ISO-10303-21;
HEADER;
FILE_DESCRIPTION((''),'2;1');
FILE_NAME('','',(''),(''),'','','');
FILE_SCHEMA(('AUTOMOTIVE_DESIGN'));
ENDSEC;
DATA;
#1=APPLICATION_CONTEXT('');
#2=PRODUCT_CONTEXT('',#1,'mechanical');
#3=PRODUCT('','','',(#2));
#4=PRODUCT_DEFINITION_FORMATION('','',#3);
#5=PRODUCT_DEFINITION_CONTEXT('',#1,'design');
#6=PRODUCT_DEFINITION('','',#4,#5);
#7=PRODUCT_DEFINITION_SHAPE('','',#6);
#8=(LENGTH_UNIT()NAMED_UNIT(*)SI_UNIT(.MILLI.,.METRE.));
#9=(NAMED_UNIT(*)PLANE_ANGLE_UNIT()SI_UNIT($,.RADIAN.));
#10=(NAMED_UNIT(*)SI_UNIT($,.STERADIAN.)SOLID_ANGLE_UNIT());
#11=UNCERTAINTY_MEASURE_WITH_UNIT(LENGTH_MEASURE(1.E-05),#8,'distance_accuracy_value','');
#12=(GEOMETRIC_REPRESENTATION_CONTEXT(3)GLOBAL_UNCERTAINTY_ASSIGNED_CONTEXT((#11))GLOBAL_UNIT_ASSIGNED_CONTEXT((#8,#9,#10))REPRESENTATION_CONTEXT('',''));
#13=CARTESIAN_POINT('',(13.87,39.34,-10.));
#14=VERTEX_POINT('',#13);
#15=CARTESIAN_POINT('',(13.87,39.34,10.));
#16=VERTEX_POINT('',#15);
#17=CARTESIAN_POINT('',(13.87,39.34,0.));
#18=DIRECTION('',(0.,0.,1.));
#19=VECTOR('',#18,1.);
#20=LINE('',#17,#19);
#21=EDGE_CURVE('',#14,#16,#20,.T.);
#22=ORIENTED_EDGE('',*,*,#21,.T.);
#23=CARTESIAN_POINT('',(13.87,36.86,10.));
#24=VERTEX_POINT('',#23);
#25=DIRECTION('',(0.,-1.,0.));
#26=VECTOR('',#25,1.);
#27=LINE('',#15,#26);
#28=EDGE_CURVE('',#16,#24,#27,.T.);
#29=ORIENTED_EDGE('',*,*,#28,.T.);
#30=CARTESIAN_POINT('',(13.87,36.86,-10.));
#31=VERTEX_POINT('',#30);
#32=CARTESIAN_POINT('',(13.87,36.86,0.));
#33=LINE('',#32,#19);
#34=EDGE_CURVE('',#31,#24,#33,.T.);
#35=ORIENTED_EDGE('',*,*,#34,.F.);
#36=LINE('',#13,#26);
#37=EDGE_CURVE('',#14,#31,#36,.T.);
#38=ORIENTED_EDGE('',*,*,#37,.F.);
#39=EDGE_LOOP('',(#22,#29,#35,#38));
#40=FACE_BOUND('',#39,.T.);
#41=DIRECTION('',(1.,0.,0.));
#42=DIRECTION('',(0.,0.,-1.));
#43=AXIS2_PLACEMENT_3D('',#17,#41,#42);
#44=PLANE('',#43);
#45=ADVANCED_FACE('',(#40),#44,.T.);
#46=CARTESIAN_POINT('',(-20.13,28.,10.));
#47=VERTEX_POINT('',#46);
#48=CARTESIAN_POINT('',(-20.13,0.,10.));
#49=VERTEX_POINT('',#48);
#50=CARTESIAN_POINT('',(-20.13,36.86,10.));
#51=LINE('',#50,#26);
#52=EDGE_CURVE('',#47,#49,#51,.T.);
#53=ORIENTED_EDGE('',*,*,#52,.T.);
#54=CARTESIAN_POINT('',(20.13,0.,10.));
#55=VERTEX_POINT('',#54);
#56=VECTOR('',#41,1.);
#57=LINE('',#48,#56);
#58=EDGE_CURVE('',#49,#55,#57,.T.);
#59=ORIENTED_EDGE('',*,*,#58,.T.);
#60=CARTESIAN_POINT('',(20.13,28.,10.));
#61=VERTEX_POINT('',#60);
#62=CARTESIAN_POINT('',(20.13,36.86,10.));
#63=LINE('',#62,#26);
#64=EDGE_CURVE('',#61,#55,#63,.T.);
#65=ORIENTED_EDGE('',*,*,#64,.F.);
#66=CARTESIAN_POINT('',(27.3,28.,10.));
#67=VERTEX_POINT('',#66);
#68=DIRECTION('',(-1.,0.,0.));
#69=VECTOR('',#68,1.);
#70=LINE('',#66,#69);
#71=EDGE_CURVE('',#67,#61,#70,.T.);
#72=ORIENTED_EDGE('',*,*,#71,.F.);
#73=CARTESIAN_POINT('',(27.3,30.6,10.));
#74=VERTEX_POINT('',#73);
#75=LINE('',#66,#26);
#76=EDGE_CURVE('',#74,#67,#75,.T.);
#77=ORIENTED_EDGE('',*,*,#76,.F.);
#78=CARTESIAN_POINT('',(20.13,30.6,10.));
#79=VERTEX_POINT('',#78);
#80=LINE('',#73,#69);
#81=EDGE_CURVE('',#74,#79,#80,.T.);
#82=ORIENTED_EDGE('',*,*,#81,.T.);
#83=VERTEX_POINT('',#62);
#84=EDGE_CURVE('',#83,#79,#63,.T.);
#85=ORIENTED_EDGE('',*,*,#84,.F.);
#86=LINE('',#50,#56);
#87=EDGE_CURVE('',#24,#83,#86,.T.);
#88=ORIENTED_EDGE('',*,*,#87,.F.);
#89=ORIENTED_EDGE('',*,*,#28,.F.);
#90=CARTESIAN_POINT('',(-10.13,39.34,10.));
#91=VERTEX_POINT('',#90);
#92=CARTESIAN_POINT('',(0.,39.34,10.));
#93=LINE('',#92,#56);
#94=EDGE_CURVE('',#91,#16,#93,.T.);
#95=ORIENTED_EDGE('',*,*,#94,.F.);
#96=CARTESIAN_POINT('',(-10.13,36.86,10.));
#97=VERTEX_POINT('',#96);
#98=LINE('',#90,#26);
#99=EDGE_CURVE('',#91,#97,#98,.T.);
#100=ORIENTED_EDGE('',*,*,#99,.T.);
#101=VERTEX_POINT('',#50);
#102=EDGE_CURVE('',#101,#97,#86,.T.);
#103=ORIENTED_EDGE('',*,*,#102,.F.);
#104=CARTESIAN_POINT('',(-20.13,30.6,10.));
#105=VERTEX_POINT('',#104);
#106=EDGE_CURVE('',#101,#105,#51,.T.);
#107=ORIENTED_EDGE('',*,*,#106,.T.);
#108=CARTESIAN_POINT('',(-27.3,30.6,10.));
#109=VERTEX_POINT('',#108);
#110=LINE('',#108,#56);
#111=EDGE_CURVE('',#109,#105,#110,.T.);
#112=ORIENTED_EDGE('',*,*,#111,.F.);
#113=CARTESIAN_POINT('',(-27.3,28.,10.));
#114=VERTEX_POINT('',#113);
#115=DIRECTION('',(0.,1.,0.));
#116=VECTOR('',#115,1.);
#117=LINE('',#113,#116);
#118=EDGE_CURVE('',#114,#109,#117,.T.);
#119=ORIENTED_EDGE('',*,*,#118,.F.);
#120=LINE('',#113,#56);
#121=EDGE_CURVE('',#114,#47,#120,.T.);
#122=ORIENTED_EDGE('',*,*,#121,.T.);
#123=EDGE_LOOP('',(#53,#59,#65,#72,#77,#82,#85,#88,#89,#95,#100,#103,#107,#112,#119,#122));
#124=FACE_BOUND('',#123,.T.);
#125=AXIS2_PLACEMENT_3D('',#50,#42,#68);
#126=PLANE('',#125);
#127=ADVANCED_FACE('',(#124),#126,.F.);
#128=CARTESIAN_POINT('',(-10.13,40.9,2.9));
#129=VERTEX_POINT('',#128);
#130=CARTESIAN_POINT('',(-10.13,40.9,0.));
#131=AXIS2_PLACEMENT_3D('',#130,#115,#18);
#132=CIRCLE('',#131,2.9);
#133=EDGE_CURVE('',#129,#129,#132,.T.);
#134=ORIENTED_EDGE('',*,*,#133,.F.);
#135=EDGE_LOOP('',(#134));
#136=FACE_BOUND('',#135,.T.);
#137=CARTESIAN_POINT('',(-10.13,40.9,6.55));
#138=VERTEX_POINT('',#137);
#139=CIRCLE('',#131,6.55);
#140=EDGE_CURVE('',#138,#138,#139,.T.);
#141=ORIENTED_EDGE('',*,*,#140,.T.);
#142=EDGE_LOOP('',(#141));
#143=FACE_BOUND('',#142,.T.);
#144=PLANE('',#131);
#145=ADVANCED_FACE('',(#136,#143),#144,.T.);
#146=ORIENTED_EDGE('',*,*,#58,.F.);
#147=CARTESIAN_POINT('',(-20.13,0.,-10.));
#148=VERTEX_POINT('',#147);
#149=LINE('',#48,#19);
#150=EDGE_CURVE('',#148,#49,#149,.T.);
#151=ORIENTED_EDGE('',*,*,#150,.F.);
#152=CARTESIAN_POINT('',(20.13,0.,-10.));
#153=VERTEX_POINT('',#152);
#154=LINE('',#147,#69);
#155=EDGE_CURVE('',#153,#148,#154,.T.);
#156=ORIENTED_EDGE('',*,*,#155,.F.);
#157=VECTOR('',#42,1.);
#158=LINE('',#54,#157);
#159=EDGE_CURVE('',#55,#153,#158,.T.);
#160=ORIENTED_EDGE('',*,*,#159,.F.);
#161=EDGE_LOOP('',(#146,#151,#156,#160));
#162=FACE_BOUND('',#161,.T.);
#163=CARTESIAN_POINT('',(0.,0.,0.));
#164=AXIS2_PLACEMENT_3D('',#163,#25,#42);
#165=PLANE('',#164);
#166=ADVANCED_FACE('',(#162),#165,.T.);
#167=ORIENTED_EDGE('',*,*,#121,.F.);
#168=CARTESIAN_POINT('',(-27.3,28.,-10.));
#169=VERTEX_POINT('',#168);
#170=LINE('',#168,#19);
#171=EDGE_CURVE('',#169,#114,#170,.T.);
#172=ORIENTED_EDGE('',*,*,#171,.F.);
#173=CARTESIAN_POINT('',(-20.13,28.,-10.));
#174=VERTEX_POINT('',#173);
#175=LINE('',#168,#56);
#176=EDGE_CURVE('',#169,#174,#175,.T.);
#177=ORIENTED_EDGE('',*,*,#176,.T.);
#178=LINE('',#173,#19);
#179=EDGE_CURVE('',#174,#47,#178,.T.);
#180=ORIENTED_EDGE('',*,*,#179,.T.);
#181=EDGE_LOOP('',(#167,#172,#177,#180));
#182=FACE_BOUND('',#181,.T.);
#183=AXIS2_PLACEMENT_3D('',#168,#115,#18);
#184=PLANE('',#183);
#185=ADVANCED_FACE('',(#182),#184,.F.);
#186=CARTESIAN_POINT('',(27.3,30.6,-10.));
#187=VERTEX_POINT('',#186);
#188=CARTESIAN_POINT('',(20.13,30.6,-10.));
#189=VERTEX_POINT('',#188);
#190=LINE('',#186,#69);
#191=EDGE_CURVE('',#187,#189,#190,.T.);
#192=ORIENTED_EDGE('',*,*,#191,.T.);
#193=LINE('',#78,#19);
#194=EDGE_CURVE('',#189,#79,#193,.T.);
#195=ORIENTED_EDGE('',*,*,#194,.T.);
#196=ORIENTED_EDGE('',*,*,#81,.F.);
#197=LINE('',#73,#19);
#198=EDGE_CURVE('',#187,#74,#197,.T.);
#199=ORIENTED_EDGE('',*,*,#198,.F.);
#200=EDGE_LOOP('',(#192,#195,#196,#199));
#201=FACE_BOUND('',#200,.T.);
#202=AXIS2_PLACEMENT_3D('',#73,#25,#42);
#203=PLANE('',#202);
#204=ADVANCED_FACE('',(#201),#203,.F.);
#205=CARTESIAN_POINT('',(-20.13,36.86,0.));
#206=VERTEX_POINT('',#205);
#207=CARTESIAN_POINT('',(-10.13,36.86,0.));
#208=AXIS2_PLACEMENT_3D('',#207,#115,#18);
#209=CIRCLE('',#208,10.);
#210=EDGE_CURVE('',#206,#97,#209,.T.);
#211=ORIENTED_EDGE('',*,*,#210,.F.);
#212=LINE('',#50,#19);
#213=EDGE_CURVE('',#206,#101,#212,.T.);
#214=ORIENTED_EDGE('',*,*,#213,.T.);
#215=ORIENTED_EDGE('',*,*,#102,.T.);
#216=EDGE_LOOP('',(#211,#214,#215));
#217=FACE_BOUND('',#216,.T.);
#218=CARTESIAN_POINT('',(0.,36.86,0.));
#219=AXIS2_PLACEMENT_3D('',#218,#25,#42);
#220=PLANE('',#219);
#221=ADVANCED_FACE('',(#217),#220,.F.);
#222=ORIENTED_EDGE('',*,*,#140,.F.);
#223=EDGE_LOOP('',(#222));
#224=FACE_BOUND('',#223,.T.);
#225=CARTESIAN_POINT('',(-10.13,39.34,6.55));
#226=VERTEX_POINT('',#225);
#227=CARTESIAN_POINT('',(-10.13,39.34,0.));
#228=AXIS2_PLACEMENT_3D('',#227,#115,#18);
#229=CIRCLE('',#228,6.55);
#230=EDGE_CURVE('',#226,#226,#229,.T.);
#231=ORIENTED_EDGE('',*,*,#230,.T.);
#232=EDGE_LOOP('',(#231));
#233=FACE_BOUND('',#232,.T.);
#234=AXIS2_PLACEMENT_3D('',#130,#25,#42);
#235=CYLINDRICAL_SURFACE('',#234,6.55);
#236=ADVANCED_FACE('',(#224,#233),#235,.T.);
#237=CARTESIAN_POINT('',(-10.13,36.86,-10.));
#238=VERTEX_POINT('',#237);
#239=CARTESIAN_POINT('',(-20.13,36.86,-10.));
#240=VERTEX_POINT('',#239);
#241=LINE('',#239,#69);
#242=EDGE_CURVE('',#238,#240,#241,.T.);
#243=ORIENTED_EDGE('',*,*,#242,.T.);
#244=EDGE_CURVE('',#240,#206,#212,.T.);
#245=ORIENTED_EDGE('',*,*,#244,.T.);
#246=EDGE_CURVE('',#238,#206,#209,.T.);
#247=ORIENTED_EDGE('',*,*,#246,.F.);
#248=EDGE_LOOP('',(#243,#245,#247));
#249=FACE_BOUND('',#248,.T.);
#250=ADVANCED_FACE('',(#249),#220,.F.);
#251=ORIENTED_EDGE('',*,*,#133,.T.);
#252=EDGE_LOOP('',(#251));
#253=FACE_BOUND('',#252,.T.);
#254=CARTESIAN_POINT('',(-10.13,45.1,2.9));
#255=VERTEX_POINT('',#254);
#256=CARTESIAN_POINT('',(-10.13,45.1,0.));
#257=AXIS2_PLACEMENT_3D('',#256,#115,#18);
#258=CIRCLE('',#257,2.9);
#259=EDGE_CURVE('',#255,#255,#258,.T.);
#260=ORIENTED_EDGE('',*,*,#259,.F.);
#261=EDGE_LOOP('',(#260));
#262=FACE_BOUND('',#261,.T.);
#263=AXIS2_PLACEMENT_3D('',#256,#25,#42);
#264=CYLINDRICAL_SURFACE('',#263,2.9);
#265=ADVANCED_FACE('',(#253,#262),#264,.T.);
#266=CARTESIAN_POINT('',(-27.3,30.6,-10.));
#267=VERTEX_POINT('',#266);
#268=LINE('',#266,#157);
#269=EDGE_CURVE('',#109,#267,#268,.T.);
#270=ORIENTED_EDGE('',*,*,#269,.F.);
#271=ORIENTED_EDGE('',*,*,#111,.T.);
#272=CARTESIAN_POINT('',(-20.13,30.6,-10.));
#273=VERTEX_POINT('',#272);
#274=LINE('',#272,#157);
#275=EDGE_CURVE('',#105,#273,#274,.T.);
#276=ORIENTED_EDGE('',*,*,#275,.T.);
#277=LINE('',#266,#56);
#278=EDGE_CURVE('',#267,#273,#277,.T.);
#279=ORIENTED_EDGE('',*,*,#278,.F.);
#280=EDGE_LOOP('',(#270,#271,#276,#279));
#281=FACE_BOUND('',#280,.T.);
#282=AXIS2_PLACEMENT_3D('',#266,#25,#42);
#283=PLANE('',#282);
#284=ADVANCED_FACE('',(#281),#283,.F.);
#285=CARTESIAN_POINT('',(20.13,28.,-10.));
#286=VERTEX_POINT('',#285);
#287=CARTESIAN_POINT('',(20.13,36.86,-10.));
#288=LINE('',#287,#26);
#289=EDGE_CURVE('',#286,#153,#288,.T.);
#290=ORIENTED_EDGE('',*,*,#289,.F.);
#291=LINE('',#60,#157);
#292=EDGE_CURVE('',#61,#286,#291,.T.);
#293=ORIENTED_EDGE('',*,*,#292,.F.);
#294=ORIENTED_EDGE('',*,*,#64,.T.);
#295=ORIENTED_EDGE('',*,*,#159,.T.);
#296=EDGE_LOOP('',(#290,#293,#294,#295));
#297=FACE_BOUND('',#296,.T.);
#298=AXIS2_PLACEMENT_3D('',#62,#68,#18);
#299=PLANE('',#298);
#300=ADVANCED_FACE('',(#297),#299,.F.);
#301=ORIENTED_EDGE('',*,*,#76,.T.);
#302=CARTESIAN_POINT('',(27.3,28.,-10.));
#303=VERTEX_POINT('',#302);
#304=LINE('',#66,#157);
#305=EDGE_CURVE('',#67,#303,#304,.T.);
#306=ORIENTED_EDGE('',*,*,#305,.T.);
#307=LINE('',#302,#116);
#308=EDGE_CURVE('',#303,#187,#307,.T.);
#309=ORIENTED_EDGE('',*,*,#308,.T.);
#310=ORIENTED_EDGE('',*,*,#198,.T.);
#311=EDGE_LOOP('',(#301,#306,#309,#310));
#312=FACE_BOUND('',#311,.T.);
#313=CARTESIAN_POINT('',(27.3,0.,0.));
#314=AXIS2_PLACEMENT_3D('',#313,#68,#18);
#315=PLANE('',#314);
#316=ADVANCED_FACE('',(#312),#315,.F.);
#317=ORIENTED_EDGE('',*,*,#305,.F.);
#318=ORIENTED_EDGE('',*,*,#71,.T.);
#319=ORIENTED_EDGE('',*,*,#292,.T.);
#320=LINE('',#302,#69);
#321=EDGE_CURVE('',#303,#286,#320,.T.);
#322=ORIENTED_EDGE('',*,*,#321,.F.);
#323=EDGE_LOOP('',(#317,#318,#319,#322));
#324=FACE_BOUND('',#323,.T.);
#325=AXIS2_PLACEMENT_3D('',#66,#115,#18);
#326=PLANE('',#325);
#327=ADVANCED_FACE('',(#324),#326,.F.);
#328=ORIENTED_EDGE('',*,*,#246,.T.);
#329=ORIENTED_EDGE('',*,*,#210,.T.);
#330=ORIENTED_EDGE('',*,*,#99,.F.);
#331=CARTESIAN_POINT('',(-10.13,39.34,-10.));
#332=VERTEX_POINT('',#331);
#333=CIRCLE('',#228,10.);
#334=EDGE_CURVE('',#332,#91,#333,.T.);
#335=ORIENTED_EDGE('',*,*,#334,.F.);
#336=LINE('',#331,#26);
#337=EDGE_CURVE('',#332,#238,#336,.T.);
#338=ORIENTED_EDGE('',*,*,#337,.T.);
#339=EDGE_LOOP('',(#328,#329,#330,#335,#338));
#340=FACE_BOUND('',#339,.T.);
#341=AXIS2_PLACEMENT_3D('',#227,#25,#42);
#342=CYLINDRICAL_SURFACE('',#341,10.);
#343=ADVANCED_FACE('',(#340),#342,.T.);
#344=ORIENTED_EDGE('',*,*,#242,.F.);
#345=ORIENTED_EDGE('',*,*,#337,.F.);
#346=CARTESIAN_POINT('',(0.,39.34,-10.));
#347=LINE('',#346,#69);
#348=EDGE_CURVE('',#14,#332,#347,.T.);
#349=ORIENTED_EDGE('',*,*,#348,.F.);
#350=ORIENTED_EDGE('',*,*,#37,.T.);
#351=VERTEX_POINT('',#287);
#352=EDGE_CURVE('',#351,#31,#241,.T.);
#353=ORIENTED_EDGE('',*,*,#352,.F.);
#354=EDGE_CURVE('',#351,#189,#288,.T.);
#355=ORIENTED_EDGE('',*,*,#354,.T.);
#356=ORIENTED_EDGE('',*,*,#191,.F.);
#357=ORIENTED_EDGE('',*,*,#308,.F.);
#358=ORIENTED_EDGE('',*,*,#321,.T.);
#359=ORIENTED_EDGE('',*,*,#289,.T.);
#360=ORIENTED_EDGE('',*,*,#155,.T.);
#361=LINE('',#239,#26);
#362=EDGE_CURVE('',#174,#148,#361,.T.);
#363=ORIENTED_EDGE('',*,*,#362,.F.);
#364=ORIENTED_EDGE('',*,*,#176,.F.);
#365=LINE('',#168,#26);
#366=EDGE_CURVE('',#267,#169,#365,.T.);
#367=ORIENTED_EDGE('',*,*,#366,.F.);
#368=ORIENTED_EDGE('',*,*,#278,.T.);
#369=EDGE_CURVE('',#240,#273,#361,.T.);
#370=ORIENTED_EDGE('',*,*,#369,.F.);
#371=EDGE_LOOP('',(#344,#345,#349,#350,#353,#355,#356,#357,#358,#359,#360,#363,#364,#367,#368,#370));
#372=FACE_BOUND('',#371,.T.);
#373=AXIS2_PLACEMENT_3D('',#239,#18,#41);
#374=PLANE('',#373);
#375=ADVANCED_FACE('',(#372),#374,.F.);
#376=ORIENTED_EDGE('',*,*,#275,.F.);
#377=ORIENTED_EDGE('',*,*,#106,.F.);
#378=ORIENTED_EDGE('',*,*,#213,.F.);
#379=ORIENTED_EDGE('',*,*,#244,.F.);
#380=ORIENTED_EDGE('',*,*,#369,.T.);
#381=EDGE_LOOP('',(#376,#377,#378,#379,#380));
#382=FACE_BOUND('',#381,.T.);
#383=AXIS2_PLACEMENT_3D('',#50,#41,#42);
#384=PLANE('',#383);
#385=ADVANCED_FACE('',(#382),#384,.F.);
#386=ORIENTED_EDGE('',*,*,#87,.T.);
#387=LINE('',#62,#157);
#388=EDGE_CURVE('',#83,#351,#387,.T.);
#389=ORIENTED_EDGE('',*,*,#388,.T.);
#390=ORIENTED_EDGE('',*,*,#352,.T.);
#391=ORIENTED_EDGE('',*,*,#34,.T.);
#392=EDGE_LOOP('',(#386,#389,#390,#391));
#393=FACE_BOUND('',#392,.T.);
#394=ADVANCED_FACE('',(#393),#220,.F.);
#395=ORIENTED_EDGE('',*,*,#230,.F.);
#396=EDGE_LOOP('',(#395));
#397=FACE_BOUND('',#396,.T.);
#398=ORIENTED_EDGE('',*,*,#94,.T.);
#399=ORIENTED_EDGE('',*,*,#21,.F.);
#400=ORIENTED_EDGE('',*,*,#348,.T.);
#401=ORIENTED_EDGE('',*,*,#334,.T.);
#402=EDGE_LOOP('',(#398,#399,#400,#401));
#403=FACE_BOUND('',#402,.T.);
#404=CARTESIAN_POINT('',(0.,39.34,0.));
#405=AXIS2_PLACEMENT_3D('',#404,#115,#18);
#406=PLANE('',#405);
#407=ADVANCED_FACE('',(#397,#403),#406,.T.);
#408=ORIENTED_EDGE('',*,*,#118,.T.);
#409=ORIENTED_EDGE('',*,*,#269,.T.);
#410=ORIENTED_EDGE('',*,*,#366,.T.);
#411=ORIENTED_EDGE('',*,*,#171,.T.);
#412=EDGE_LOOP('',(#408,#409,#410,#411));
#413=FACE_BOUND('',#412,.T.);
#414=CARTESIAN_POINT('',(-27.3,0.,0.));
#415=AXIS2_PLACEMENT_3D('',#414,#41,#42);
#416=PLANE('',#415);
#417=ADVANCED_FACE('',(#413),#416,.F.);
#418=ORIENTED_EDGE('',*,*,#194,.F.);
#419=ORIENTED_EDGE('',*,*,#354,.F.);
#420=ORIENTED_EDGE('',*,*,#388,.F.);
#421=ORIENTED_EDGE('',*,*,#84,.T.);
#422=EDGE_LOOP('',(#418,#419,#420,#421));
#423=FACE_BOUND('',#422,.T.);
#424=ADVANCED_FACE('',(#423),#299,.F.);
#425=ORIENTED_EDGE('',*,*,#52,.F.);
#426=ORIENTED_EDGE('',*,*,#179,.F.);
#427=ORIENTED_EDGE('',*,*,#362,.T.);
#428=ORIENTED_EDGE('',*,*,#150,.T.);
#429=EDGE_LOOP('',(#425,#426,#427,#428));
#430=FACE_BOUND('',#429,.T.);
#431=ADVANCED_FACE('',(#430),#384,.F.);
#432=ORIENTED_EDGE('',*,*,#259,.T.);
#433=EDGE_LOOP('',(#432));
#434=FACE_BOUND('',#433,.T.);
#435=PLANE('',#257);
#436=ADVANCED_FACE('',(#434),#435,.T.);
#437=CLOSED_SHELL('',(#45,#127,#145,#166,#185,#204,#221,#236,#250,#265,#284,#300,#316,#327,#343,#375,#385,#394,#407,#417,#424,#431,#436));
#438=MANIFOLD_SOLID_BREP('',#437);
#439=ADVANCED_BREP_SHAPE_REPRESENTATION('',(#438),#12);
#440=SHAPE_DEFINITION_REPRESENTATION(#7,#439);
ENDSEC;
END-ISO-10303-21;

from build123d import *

# Parameters (mm, degrees)
SKETCH1_W           = 40.26
SKETCH1_H           = 20
BOSS_EXTRUDE1_DEPTH = 36.86
SKETCH2_W           = 20
SKETCH2_H           = 2.6
BOSS_EXTRUDE2_DEPTH = 7.17
SKETCH3_W           = 20
SKETCH3_H           = 2.6
BOSS_EXTRUDE3_DEPTH = 7.17
SKETCH4_R           = 10
BOSS_EXTRUDE4_DEPTH = 2.48
SKETCH5_R           = 6.55
BOSS_EXTRUDE5_DEPTH = 1.56
SKETCH6_R           = 2.9
BOSS_EXTRUDE6_DEPTH = 4.2


with BuildPart() as part:
    # Sketch1 → Boss-Extrude1 (new body)
    with BuildSketch(Plane(origin=(0, 0, 0), x_dir=(1, 0, 0), z_dir=(0, 1, 0))):
        Rectangle(SKETCH1_W, SKETCH1_H)
    extrude(amount=BOSS_EXTRUDE1_DEPTH)

    # Sketch2 → Boss-Extrude2 (add)
    with BuildSketch(Plane(origin=(20.13, 0, 0), x_dir=(0, 0, -1), z_dir=(1, 0, 0))):
        with Locations((0, 29.3)):
            Rectangle(SKETCH2_W, SKETCH2_H)
    extrude(amount=BOSS_EXTRUDE2_DEPTH)

    # Sketch3 → Boss-Extrude3 (add)
    with BuildSketch(Plane.ZY.offset(20.13)):
        with Locations((0, 29.3)):
            Rectangle(SKETCH3_W, SKETCH3_H)
    extrude(amount=BOSS_EXTRUDE3_DEPTH)

    # Sketch4 → Boss-Extrude4 (add)
    with BuildSketch(Plane(origin=(0, 36.86, 0), x_dir=(1, 0, 0), z_dir=(0, 1, 0))):
        with Locations((-10.13, 0)):
            Circle(SKETCH4_R)
        with BuildLine():
            Line((13.87, 10), (-10.13, 10))
            ThreePointArc((-10.13, 10), (-3.058932188, 7.071067812), (-0.13, 0))
            ThreePointArc((-0.13, 0), (-3.058932188, -7.071067812), (-10.13, -10))
            Line((-10.13, -10), (13.87, -10))
            Line((13.87, -10), (13.87, 10))
        make_face()
    extrude(amount=BOSS_EXTRUDE4_DEPTH)

    # Sketch5 → Boss-Extrude5 (add)
    with BuildSketch(Plane(origin=(0, 39.34, 0), x_dir=(1, 0, 0), z_dir=(0, 1, 0))):
        with Locations((-10.13, 0)):
            Circle(SKETCH5_R)
    extrude(amount=BOSS_EXTRUDE5_DEPTH)

    # Sketch6 → Boss-Extrude6 (add)
    with BuildSketch(Plane(origin=(0, 40.9, 0), x_dir=(1, 0, 0), z_dir=(0, 1, 0))):
        with Locations((-10.13, 0)):
            Circle(SKETCH6_R)
    extrude(amount=BOSS_EXTRUDE6_DEPTH)


solid = part.part
